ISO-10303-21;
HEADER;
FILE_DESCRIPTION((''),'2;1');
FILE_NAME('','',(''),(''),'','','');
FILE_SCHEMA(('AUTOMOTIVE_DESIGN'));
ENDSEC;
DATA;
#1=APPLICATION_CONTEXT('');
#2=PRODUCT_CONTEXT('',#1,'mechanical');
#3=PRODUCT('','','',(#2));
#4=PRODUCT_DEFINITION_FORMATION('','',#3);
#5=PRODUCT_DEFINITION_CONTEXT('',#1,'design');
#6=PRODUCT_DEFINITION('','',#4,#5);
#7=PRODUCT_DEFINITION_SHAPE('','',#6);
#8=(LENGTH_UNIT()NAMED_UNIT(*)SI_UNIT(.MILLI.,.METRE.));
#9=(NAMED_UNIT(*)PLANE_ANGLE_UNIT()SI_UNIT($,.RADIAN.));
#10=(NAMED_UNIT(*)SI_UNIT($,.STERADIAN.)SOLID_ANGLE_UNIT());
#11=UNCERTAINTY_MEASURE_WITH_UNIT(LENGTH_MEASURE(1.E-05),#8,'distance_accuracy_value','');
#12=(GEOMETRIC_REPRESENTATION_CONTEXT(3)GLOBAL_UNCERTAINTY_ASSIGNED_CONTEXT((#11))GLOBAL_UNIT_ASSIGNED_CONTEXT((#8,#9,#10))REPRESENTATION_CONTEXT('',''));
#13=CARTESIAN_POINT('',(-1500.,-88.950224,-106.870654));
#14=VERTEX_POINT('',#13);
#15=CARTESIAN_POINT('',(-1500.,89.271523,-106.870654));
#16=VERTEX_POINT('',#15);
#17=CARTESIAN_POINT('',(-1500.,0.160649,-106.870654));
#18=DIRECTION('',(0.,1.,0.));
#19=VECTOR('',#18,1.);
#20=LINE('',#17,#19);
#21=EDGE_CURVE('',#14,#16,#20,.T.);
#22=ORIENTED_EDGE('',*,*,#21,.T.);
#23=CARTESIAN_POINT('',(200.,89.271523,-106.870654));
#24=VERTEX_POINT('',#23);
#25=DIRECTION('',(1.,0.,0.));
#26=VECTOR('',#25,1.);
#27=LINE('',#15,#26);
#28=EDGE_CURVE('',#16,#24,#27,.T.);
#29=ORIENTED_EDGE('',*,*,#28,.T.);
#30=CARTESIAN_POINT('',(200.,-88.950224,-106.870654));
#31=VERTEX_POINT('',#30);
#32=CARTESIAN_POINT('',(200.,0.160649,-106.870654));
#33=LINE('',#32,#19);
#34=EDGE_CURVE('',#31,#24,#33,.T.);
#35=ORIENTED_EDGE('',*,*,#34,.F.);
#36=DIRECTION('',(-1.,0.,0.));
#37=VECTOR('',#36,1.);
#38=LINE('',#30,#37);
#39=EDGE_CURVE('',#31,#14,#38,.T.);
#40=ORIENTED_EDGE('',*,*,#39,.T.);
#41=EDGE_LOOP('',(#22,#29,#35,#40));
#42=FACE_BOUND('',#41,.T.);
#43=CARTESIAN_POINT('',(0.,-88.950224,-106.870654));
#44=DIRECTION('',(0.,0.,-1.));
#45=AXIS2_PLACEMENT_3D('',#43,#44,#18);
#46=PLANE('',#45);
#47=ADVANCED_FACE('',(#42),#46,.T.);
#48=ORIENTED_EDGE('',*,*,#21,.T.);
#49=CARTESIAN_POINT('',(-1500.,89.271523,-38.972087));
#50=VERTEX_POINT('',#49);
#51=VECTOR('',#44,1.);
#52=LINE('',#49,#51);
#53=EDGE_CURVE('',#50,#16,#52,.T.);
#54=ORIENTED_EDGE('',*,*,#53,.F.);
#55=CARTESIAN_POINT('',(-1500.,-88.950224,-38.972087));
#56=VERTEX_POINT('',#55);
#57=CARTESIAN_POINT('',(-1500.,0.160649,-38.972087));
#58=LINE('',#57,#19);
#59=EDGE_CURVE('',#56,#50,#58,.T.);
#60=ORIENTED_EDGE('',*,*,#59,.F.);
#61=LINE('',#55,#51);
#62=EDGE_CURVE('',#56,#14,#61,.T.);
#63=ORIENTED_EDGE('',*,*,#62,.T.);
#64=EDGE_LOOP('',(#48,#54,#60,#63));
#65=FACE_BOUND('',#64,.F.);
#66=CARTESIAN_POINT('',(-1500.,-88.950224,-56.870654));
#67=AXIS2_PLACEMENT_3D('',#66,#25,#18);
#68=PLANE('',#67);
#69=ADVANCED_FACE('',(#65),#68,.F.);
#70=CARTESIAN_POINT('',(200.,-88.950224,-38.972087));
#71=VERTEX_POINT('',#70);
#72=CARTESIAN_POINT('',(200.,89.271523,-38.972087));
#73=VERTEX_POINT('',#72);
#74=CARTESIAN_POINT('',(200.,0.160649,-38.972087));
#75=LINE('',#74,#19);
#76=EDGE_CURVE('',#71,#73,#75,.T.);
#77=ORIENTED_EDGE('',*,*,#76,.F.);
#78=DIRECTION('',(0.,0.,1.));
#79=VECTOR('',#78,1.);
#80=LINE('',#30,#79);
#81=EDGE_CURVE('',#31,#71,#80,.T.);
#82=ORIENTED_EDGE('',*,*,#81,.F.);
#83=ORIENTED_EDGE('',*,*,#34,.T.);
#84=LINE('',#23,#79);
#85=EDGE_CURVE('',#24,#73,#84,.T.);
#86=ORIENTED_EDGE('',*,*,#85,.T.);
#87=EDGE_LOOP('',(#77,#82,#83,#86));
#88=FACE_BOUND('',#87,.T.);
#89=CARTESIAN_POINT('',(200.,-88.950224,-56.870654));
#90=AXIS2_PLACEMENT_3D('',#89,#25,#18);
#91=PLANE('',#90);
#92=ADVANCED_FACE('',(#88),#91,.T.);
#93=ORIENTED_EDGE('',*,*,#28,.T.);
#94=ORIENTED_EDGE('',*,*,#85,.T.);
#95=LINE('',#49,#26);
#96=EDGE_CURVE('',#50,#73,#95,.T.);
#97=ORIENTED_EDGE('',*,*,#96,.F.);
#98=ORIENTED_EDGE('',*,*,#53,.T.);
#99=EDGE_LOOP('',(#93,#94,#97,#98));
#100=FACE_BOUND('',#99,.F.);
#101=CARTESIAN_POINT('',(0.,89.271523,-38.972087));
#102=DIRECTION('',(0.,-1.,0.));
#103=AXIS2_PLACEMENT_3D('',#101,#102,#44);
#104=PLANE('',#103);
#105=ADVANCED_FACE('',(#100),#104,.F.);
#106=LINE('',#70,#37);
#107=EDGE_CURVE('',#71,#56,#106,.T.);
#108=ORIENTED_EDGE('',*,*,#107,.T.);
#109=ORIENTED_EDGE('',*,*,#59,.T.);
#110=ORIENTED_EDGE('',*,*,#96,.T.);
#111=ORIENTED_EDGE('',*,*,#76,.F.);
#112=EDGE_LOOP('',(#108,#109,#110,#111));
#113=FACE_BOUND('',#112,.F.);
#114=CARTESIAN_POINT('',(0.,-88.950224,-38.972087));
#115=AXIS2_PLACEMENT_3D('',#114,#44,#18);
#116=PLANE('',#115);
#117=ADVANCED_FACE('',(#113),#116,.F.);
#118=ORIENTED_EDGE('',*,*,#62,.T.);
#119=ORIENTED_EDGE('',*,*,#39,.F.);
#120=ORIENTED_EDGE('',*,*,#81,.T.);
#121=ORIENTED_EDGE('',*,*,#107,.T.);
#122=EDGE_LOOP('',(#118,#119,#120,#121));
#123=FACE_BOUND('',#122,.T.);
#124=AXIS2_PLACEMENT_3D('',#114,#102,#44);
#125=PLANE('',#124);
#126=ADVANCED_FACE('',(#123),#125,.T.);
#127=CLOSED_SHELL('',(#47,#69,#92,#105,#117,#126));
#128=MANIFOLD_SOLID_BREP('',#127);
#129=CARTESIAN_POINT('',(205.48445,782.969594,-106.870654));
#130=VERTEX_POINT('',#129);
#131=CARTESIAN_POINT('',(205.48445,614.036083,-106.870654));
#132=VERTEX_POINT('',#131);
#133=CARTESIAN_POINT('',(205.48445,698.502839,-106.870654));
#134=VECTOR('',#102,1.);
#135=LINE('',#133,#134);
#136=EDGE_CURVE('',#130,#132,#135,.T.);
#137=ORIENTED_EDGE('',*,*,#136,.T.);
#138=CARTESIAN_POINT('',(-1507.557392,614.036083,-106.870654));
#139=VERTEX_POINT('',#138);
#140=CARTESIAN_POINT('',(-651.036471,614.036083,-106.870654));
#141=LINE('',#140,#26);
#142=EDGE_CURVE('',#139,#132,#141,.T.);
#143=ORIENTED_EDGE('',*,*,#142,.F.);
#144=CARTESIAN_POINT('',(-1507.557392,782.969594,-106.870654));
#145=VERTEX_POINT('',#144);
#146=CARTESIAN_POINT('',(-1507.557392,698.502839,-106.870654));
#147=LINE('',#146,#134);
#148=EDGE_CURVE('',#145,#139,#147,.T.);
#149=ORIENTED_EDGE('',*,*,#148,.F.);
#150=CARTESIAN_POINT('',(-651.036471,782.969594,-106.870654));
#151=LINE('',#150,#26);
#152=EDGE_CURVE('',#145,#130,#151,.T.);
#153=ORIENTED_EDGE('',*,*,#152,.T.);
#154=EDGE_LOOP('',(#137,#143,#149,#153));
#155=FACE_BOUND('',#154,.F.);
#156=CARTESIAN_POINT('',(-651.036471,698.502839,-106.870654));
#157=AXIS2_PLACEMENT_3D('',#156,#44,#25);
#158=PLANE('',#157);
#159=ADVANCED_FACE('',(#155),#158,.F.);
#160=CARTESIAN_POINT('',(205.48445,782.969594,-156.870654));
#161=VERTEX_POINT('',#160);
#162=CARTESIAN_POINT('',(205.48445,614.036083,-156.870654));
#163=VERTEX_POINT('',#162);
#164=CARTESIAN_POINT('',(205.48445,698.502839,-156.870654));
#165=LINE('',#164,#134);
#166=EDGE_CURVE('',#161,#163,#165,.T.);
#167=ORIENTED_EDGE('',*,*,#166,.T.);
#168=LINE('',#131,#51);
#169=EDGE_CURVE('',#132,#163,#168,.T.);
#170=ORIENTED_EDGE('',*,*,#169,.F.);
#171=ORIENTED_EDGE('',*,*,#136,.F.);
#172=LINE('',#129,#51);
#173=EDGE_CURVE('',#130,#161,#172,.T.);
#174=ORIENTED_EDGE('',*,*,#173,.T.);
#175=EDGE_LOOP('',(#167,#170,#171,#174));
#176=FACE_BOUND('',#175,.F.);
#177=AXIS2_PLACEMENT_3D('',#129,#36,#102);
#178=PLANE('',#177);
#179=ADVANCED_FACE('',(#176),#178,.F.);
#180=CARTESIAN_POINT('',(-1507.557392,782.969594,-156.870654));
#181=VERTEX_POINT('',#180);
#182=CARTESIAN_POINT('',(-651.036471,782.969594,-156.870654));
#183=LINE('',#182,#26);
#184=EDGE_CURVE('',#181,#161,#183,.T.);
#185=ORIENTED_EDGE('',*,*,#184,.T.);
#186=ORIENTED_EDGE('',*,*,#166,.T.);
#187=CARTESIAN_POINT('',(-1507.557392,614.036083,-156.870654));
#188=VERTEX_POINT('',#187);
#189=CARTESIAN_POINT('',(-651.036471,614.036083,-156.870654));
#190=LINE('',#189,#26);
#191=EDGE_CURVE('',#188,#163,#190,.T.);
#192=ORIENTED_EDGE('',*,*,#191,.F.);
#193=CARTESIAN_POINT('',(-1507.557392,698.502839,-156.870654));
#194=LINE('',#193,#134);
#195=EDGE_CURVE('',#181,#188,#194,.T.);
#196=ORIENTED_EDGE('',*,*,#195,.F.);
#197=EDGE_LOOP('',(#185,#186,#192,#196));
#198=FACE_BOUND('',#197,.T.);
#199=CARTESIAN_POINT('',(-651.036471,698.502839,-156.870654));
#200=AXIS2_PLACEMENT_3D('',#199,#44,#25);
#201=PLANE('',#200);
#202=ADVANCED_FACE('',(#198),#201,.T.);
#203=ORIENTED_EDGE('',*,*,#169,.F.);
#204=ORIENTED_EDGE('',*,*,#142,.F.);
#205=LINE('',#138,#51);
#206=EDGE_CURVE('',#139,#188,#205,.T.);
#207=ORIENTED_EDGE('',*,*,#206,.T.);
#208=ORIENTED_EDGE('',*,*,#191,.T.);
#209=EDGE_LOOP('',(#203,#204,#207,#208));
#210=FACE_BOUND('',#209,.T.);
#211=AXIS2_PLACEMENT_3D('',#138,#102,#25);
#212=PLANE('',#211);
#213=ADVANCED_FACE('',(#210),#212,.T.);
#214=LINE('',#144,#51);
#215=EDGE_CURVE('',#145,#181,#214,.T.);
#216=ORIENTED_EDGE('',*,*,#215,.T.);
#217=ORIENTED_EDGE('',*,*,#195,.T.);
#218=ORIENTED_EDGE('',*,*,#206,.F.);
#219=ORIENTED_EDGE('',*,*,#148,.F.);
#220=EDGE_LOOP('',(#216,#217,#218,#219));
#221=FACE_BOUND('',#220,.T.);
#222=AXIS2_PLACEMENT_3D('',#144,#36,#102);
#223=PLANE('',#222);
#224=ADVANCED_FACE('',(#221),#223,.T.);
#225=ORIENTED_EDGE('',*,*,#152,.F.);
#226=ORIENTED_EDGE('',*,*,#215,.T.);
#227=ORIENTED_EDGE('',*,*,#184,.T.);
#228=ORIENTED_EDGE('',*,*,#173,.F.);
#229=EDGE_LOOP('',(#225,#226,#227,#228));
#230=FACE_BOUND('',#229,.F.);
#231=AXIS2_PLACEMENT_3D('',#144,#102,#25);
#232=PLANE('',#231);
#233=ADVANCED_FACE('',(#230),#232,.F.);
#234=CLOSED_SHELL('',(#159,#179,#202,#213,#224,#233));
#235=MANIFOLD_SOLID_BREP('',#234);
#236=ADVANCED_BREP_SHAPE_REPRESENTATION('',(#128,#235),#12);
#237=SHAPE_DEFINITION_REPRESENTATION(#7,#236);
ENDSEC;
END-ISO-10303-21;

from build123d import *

# Parameters (mm, degrees)
F0_W     = 178.2217472792
F0_H     = 17.8985670209
F1_DEPTH = 200
F2_DEPTH = 50
F3_DEPTH = 1500
F4_W     = 1713.0418419838
F4_H     = 168.9335107803
F5_DEPTH = 50


with BuildPart() as f1:
    # F0 (on Right) → F1 (new body)
    with BuildSketch(Plane.YZ):
        with Locations((0.1606494188, -47.9213707149)):
            Rectangle(F0_W, F0_H)
    extrude(amount=F1_DEPTH)

    # F2 (add): a face of the model
    f2_faces = [f1.faces().sort_by_distance(p)[0] for p in [
        (100, 0.1606494188, -56.8706542253),
    ]]
    extrude(f2_faces, amount=F2_DEPTH)

    # F3 (add): a face of the model
    f3_faces = [f1.faces().sort_by_distance(p)[0] for p in [
        (0, 0.1606494188, -72.9213707149),
    ]]
    extrude(f3_faces, amount=F3_DEPTH)


with BuildPart() as f5:
    # F4 (on face) → F5 (new body)
    with BuildSketch(Plane(origin=(0, 0, -106.8706542253), x_dir=(1, 0, 0), z_dir=(0, 0, -1))):
        with Locations((-651.0364711285, -698.5028386116)):
            Rectangle(F4_W, F4_H)
    extrude(amount=F5_DEPTH)


solid = Compound([f1.part, f5.part])
